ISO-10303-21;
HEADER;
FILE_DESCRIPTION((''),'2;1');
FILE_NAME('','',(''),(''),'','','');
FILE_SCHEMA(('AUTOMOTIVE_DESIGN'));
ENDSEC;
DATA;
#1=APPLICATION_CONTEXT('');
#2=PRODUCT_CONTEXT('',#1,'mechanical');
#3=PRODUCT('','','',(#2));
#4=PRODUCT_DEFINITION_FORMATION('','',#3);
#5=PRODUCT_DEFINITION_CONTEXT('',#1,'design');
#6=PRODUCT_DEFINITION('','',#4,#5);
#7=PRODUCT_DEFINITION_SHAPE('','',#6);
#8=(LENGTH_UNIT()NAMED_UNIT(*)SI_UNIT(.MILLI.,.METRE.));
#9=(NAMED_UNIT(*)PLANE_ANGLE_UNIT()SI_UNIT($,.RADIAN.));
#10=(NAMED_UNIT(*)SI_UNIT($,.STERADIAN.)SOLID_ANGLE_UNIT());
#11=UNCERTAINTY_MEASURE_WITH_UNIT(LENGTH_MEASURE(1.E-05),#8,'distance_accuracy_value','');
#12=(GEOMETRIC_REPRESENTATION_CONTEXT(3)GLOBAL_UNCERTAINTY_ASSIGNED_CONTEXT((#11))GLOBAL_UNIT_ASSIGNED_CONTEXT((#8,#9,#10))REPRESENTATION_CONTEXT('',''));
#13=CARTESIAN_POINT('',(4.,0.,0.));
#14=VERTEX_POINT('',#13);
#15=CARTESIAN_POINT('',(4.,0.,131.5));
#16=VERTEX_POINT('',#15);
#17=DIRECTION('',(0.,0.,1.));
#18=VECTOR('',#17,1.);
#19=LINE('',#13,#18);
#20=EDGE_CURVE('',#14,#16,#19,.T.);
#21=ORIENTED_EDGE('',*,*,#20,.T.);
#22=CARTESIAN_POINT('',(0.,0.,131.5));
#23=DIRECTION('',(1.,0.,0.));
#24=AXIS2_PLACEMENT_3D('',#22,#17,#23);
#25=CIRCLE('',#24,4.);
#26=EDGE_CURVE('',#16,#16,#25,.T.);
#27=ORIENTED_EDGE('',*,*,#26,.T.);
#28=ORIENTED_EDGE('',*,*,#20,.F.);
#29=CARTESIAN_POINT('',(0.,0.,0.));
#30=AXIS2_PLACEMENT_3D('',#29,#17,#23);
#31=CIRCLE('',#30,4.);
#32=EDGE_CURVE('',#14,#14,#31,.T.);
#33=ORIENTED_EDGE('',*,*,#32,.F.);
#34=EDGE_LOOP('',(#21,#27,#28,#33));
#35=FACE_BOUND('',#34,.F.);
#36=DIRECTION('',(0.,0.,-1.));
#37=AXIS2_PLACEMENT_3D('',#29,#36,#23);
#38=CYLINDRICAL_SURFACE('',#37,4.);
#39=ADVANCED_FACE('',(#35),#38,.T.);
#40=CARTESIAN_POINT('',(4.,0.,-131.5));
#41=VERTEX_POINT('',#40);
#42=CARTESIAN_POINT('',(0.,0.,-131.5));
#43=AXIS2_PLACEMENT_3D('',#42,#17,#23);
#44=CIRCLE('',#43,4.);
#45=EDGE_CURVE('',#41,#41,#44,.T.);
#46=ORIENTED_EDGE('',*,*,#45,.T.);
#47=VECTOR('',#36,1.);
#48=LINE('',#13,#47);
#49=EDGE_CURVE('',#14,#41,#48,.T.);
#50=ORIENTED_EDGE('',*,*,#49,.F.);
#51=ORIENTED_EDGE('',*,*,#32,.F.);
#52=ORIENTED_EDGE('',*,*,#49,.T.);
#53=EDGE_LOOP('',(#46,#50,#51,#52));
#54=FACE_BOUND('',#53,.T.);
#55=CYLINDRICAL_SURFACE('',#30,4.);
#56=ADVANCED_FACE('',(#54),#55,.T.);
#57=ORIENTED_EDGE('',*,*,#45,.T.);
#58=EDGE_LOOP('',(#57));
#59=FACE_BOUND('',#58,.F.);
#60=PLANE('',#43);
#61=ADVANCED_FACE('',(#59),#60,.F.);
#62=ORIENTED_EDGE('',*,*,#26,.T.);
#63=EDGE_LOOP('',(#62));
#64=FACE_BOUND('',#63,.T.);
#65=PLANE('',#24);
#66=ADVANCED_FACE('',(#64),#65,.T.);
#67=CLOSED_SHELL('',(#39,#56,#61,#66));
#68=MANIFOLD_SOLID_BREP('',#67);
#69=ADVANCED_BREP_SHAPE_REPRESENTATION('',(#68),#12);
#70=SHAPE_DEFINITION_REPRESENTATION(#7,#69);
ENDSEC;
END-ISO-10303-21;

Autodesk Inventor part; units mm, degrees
ref_plane "YZ Plane" through (0, 0, 0) normal (1, 0, 0) x (0, 1, 0)
ref_plane "XZ Plane" through (0, 0, 0) normal (0, 1, 0) x (-1, 0, 0)
ref_plane "XY Plane" through (0, 0, 0) normal (0, 0, 1) x (1, 0, 0)
sketch "Sketch1" plane through (0, 0, 0) normal (0, 0, 1) x (1, 0, 0)
  circle A0 centre (0, 0) radius 4
  dimension "d0" = 8
extrude "Extrusion1" add sketch "Sketch1" along normal mid plane 263
properties part number "X-Akse til glider"
